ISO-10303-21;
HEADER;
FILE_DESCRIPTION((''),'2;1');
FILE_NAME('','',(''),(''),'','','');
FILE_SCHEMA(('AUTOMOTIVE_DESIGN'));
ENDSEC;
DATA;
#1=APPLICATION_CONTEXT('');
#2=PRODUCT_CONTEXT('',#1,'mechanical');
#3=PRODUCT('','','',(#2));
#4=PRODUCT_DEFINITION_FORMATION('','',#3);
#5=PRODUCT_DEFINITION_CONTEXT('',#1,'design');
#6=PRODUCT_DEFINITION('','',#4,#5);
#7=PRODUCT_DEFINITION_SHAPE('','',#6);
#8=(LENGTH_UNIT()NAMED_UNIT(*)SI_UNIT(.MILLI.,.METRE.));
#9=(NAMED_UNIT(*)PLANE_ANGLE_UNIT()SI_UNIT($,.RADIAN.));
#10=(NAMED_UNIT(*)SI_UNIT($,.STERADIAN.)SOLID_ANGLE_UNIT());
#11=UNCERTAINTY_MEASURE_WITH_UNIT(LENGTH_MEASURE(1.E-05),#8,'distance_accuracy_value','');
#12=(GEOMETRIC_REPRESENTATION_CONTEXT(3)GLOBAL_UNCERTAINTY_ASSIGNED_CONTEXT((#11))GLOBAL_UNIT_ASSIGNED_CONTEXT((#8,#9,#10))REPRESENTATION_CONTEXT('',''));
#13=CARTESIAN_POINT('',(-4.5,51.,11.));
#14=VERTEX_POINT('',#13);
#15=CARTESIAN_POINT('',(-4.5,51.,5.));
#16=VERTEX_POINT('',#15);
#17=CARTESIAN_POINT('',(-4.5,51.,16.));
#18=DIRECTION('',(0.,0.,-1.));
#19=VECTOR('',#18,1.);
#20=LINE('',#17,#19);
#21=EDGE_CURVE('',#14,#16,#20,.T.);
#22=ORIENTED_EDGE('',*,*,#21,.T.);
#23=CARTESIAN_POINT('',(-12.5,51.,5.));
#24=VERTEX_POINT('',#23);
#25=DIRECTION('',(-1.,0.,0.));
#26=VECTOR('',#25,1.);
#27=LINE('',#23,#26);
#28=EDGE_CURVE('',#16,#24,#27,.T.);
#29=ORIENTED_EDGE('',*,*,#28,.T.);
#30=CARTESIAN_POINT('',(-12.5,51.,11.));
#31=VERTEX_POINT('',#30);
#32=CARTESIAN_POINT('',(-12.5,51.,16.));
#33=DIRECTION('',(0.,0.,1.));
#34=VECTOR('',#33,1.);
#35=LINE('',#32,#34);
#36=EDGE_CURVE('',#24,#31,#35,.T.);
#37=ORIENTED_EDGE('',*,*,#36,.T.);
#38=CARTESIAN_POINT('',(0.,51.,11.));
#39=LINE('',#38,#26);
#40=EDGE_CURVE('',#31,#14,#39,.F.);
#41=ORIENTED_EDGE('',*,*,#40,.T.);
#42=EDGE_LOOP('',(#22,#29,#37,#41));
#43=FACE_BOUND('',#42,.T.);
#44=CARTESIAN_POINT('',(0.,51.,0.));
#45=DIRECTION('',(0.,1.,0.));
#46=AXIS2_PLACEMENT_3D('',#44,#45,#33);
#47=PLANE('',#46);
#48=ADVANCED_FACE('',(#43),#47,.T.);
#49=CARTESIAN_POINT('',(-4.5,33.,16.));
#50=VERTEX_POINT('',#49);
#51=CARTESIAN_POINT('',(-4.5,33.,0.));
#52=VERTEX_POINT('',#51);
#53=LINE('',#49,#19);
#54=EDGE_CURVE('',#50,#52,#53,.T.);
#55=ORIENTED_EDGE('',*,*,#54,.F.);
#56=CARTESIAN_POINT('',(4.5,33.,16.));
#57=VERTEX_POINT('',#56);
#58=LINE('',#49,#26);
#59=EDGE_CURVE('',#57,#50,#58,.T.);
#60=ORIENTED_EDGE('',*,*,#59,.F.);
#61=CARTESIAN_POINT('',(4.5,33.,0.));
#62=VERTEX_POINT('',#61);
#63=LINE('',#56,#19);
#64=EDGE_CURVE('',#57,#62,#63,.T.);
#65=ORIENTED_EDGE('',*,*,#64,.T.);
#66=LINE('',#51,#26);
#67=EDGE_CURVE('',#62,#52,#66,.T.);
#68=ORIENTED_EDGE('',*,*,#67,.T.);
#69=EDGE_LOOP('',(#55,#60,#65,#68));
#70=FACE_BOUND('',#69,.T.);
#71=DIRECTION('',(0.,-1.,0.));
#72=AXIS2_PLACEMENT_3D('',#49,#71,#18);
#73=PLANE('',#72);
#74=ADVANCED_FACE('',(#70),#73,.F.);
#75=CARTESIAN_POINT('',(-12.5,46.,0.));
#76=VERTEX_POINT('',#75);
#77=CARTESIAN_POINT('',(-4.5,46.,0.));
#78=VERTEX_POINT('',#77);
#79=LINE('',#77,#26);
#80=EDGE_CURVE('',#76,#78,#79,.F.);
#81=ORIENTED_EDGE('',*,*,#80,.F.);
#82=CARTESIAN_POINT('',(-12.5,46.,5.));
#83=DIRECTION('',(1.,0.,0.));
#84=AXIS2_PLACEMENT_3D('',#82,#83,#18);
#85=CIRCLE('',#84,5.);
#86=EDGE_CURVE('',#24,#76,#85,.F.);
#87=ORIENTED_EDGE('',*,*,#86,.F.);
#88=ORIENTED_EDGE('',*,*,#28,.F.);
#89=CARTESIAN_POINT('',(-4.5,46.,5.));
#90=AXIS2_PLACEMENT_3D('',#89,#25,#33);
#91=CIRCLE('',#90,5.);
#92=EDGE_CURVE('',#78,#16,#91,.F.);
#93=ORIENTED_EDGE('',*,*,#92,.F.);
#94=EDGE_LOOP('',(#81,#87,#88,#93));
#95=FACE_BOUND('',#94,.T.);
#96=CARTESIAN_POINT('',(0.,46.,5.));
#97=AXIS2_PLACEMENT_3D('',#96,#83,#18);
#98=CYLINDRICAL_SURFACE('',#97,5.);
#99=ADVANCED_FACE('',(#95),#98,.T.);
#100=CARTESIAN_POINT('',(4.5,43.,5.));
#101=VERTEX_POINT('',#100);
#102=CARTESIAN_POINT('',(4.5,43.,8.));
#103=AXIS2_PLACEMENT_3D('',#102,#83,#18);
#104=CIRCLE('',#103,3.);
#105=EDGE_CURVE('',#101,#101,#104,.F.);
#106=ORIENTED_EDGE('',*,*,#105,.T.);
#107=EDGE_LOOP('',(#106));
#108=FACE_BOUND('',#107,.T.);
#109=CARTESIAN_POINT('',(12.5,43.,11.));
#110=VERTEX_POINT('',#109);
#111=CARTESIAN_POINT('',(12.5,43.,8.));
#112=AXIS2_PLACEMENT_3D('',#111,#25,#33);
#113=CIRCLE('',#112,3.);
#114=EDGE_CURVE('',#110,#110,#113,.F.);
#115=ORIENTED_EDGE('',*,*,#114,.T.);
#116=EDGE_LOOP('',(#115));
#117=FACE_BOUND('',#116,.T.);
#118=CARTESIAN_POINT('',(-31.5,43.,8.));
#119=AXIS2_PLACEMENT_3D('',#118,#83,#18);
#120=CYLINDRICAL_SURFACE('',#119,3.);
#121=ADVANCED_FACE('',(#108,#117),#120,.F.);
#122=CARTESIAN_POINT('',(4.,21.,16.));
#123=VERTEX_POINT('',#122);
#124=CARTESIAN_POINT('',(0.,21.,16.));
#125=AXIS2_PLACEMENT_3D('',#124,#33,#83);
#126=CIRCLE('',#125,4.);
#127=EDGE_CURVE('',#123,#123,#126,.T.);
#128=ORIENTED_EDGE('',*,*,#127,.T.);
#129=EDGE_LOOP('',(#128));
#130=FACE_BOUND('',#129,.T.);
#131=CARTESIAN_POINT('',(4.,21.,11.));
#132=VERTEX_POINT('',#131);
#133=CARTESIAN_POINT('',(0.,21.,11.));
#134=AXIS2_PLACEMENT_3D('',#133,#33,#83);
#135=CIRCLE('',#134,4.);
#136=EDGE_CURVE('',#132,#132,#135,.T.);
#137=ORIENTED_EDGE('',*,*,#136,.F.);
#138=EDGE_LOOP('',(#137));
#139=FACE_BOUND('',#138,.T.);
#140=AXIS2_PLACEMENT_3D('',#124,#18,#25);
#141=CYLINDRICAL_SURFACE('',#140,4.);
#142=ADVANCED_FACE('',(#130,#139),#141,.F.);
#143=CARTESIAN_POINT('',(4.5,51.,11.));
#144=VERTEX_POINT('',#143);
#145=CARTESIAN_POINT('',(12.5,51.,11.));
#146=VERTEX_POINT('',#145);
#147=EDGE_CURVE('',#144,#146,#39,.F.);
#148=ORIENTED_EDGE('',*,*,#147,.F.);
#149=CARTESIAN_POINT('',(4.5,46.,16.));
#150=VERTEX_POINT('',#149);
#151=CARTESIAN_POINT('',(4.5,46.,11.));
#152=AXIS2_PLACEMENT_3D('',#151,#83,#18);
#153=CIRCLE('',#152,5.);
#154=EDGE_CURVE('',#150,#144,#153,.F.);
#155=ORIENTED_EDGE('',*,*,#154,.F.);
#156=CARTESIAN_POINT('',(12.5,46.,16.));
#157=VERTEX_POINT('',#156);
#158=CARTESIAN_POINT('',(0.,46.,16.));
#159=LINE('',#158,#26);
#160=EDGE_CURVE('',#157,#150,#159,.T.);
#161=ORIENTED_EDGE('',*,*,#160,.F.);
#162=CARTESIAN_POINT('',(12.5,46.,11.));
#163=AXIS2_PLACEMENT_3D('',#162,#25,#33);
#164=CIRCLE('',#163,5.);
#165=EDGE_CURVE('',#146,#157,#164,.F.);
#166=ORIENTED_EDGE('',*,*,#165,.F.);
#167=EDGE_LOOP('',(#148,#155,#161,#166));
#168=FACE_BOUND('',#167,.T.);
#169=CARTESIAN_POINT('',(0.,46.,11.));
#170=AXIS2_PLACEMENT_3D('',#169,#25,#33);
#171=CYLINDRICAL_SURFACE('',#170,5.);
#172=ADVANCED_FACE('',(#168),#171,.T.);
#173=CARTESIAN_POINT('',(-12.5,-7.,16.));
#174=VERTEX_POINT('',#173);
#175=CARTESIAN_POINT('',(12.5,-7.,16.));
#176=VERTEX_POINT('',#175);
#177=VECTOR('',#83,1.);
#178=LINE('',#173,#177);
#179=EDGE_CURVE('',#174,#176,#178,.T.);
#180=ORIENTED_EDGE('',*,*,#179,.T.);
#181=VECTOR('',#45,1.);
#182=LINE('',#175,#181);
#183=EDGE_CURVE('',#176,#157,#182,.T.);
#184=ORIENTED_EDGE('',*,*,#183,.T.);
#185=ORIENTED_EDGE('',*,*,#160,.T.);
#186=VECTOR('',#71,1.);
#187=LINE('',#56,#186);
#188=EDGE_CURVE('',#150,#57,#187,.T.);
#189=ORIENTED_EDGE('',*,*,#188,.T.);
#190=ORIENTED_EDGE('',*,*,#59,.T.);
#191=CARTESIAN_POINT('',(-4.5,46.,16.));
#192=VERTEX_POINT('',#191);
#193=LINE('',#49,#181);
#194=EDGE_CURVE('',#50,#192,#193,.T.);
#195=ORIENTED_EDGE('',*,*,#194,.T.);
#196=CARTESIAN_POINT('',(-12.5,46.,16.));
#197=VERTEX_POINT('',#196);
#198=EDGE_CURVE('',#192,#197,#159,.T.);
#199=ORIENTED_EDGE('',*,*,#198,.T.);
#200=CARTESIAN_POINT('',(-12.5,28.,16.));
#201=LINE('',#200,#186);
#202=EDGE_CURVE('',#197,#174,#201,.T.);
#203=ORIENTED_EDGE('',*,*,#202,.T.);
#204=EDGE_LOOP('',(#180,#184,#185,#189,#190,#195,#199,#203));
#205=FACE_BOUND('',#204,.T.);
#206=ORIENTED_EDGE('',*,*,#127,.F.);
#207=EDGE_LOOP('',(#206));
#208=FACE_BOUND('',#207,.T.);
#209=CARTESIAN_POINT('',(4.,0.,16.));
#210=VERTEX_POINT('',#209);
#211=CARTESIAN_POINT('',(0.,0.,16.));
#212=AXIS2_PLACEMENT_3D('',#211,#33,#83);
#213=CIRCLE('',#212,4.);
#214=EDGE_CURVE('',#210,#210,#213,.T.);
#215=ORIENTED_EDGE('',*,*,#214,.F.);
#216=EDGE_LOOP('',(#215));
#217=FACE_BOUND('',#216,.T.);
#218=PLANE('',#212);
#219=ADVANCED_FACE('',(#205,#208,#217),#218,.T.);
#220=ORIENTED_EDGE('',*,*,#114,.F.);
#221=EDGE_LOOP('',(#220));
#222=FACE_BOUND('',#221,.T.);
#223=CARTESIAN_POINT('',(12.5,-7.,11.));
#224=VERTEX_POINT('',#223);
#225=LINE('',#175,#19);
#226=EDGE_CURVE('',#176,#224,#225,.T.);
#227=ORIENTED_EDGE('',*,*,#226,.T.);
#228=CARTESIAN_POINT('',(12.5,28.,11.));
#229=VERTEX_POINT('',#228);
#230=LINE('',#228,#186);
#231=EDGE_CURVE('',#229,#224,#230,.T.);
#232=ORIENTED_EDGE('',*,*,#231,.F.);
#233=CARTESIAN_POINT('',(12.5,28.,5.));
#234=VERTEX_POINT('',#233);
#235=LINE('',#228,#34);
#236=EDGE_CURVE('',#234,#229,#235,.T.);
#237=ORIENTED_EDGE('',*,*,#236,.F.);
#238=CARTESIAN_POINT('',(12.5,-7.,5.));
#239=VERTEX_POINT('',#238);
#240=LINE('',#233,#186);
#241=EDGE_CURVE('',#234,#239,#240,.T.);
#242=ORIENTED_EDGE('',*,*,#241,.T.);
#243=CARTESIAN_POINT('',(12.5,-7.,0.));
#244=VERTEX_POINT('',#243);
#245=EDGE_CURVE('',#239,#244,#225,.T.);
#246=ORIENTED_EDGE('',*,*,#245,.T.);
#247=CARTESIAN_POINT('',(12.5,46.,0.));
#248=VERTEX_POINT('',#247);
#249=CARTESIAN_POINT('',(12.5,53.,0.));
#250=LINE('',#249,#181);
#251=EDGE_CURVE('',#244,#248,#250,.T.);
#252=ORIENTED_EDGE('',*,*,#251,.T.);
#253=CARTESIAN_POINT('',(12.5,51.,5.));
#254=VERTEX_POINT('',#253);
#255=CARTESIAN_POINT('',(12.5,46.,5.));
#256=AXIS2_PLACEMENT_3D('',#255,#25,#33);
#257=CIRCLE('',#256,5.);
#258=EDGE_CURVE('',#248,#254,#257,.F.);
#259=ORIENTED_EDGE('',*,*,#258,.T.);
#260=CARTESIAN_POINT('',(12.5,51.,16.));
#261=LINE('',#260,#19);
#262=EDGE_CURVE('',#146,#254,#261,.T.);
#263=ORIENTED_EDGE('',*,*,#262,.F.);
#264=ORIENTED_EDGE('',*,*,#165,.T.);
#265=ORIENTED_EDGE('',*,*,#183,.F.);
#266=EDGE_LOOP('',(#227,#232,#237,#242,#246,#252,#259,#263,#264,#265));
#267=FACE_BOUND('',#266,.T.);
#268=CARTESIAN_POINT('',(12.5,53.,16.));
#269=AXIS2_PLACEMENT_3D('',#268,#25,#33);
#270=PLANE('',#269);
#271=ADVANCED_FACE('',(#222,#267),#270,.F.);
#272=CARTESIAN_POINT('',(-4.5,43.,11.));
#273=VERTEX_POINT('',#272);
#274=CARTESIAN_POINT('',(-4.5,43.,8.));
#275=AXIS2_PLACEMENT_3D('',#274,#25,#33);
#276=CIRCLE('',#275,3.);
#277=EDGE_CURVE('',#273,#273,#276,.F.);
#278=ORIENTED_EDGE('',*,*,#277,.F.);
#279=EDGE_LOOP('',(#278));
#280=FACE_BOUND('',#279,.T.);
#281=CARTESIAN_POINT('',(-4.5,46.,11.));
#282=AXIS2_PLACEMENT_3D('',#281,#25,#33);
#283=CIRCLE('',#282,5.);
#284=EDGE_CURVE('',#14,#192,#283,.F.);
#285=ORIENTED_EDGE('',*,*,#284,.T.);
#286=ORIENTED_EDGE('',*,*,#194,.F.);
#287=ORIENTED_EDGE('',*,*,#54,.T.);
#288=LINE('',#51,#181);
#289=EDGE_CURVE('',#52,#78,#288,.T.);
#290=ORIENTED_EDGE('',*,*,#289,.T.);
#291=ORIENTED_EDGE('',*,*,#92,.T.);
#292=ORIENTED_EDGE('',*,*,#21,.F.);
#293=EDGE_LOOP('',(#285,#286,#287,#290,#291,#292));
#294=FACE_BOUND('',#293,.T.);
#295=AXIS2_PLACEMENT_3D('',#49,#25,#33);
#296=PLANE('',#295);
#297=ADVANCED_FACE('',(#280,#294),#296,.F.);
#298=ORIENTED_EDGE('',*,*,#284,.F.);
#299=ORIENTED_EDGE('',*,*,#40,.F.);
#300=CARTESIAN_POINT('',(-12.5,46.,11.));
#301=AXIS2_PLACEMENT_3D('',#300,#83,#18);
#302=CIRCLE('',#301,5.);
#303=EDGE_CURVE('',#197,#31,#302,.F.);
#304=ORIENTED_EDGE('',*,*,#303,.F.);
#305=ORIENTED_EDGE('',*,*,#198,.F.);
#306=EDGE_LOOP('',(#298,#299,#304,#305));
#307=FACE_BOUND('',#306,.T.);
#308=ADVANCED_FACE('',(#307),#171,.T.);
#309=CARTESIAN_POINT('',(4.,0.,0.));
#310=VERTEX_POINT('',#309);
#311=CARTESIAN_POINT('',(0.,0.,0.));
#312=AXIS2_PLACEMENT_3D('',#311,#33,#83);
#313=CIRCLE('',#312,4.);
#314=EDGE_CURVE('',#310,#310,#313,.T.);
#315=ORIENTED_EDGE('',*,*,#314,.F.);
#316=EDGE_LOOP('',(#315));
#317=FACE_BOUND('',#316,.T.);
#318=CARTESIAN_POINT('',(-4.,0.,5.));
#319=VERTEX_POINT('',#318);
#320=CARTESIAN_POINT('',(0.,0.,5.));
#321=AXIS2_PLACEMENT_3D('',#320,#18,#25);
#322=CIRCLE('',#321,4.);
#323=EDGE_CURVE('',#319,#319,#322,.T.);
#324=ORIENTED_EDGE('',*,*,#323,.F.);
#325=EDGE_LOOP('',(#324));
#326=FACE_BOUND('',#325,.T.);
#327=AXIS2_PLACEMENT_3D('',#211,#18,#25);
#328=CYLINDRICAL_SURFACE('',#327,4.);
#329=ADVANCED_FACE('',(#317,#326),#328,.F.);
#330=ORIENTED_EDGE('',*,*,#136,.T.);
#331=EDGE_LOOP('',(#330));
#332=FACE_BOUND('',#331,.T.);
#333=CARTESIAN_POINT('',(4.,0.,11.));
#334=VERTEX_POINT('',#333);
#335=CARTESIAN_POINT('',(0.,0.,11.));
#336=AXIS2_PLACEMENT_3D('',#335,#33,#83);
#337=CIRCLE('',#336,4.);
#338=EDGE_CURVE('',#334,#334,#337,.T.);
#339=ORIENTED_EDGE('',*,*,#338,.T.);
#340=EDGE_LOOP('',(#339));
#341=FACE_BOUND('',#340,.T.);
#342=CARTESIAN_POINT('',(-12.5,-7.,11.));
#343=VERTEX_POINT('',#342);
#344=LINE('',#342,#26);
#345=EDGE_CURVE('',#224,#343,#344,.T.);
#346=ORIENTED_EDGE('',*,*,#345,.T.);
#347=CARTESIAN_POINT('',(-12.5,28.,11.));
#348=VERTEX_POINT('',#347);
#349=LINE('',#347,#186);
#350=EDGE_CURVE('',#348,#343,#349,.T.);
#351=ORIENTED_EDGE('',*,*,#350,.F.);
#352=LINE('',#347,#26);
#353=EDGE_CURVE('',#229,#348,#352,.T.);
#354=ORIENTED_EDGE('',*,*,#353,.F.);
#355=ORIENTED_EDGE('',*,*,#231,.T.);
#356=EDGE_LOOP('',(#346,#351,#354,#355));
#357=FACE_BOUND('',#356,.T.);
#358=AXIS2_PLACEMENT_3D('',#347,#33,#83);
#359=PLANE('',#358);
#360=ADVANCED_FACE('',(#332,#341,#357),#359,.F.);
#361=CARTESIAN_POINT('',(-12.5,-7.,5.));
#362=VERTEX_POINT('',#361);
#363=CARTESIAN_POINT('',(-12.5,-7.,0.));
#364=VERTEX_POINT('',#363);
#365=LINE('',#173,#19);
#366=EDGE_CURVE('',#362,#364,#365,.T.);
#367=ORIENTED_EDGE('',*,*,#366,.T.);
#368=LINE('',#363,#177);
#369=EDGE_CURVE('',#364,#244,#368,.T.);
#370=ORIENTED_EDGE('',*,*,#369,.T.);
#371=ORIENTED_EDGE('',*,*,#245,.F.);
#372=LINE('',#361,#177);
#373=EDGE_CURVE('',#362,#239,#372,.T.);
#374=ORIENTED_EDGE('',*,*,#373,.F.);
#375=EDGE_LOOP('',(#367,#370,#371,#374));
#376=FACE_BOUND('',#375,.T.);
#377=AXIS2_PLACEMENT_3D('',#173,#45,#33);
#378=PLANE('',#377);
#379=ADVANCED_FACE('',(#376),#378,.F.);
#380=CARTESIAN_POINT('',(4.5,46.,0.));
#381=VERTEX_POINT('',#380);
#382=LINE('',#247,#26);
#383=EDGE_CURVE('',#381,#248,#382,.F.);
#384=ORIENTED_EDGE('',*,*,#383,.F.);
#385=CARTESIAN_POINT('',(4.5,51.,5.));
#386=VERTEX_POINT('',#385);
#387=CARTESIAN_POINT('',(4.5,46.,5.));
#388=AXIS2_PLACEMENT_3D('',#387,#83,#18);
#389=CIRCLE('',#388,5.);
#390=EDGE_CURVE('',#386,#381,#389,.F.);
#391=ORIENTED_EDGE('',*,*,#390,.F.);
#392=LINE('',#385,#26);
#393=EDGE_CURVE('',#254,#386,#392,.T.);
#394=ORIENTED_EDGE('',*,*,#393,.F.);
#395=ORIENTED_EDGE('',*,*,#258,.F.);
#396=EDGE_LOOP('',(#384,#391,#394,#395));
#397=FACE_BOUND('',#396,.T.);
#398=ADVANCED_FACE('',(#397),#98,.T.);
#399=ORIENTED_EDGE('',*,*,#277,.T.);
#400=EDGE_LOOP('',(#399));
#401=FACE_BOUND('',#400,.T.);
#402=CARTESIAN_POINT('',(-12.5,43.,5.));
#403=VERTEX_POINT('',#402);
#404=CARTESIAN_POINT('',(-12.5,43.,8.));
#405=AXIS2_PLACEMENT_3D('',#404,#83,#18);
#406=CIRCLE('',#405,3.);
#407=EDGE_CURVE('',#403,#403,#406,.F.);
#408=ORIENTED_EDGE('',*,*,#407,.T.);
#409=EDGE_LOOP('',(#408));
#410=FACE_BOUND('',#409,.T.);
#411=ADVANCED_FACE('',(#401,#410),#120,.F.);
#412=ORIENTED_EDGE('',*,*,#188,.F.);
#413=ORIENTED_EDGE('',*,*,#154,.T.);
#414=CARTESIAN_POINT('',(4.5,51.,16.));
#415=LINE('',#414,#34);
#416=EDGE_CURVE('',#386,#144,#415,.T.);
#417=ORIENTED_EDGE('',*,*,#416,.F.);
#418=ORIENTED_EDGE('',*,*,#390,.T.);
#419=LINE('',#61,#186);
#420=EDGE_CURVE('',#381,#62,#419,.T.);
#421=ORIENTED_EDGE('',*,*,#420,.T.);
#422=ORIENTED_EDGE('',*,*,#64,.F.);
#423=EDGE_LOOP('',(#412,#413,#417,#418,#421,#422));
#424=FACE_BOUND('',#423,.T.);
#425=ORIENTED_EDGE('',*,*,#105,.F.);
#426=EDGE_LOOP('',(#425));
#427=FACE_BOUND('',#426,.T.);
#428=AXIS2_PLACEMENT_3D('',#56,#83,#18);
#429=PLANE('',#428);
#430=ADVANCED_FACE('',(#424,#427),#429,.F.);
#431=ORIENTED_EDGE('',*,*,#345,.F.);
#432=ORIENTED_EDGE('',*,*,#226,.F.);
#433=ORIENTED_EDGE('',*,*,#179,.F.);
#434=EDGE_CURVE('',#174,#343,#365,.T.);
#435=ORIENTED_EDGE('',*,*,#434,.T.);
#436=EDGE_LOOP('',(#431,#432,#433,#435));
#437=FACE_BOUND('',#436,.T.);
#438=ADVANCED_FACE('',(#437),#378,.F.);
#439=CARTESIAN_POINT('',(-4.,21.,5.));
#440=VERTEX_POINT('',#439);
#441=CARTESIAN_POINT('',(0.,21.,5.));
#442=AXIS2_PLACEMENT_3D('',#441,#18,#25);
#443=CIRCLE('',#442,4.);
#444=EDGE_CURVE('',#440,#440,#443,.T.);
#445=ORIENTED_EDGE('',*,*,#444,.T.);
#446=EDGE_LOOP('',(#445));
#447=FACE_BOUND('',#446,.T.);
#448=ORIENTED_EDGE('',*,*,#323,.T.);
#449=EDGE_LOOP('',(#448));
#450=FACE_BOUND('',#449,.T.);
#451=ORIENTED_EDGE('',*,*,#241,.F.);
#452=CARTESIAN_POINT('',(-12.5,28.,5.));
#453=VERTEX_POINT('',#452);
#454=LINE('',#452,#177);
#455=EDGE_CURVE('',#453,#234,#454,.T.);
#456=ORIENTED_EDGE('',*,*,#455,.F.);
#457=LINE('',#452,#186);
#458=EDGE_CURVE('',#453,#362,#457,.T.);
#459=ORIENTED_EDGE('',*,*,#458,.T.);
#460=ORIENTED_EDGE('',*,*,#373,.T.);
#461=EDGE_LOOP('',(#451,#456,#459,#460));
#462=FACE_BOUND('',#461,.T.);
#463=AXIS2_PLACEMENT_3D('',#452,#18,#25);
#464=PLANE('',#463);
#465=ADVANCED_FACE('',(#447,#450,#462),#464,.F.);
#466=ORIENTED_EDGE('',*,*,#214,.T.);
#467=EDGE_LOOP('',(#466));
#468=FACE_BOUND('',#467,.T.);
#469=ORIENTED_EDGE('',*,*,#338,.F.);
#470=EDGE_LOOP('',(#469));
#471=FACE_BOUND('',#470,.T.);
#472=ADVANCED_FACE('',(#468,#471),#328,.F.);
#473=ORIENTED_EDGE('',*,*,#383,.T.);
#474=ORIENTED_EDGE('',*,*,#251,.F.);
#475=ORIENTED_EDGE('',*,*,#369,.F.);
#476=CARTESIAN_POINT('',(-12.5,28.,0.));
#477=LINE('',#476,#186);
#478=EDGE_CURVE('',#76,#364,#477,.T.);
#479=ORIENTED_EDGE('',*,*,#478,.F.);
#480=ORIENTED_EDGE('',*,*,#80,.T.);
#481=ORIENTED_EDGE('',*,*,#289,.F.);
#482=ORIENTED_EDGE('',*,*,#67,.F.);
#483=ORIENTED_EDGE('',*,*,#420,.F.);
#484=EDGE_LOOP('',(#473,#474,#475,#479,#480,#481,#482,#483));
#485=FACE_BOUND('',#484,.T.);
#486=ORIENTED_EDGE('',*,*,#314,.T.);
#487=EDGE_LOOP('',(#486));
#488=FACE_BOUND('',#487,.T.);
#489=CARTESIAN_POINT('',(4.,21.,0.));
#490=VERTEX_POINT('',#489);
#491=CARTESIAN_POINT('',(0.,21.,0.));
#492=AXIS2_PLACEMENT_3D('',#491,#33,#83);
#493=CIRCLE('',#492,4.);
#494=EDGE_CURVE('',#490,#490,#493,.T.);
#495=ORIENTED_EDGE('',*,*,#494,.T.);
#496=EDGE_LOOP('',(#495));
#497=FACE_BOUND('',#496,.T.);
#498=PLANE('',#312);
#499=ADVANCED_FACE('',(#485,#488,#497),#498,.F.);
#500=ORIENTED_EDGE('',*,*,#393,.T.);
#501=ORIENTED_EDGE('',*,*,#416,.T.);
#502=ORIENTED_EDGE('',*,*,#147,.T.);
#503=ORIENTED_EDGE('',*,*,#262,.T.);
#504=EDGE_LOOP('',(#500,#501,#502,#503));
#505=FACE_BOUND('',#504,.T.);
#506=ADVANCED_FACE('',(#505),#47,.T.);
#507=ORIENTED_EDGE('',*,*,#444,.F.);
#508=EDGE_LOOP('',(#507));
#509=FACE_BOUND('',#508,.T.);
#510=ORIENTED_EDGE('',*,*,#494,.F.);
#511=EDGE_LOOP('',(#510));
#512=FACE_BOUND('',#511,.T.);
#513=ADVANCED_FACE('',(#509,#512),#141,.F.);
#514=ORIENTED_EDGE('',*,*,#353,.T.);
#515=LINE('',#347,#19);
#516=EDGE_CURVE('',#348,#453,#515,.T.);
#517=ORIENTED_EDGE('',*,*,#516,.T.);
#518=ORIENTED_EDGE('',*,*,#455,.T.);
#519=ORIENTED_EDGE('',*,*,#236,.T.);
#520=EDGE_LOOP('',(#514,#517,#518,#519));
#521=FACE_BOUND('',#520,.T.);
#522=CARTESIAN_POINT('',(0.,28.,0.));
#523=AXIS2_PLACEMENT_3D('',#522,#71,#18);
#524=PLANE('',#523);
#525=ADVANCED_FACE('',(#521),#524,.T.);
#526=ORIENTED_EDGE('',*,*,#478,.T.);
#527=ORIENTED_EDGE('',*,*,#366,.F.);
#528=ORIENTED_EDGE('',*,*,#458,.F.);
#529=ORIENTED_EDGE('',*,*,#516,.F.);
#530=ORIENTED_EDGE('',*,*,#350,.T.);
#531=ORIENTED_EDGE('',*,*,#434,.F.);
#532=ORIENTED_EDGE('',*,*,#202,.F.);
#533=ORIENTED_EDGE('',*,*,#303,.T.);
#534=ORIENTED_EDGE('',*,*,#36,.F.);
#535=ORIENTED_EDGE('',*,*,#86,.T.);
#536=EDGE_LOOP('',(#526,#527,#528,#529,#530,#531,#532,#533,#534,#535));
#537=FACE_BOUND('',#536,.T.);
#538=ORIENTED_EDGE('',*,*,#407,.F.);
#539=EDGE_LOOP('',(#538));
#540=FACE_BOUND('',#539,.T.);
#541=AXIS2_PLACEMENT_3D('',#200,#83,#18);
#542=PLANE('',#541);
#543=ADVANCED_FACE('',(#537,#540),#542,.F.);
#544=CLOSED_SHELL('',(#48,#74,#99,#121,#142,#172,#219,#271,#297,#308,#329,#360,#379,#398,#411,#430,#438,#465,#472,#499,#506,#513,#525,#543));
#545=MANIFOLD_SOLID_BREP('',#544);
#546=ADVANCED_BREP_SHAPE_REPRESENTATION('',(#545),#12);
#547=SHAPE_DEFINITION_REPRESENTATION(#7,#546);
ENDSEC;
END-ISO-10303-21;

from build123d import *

# Parameters (mm, degrees)
IZIM1_R                     = 4
Y_KSEKLIK_EKSTR_ZYON1_DEPTH = 16
IZIM2_W                     = 25
IZIM2_H                     = 6
KES_EKSTR_ZYON1_DEPTH       = 35
KES_EKSTR_ZYON2_DEPTH       = 36
KES_EKSTR_ZYON2_DEPTH_BACK  = 20
IZIM3_R                     = 3
SKETCH2_W                   = 46.387108154
SKETCH2_H                   = 28.761742624
CUT_EXTRUDE1_DEPTH          = 2
FILLET1_R                   = 5


with BuildPart() as part:
    # Çizim1 → Yükseklik-Ekstrüzyon1 (new body)
    with BuildSketch(Plane.XY):
        Polygon((-12.5, 28), (-12.5, -7), (12.5, -7), (12.5, 28), (12.5, 53), (6, 53), (4.5, 53), (4.5, 33), (-4.5, 33), (-4.5, 53), (-6, 53), (-12.5, 53), align=None)
        with Locations((0, 21)):
            Circle(IZIM1_R, mode=Mode.SUBTRACT)
        Circle(IZIM1_R, mode=Mode.SUBTRACT)
    extrude(amount=Y_KSEKLIK_EKSTR_ZYON1_DEPTH)

    # Çizim2 → Kes-Ekstrüzyon1 (cut)
    with BuildSketch(Plane.XZ.offset(7)):
        with Locations((0, 8)):
            Rectangle(IZIM2_W, IZIM2_H)
    extrude(amount=-KES_EKSTR_ZYON1_DEPTH, mode=Mode.SUBTRACT)

    # Çizim3 → Kes-Ekstrüzyon2 (cut, two sides: drawn at the far end of the back side and taken through both)
    with BuildSketch(Plane.ZY.offset(-4.5).offset(-KES_EKSTR_ZYON2_DEPTH_BACK)):
        with Locations(Location((8, 43, 0), (0, 0, 180))):
            Circle(IZIM3_R)
    extrude(amount=KES_EKSTR_ZYON2_DEPTH + KES_EKSTR_ZYON2_DEPTH_BACK, mode=Mode.SUBTRACT)

    # Sketch2 → Cut-Extrude1 (cut)
    with BuildSketch(Plane(origin=(0, 53, 0), x_dir=(1, 0, 0), z_dir=(0, 1, 0))):
        with Locations((-0.016890664, -9.346912489)):
            Rectangle(SKETCH2_W, SKETCH2_H)
    extrude(amount=-CUT_EXTRUDE1_DEPTH, mode=Mode.SUBTRACT)

    # Fillet1
    fillet1_edges = [part.edges().sort_by_distance(p)[0] for p in [
        (8.5, 51, 16),
        (-8.5, 51, 16),
        (8.5, 51, 0),
        (-8.5, 51, 0),
    ]]
    fillet(fillet1_edges, radius=FILLET1_R)


solid = part.part
